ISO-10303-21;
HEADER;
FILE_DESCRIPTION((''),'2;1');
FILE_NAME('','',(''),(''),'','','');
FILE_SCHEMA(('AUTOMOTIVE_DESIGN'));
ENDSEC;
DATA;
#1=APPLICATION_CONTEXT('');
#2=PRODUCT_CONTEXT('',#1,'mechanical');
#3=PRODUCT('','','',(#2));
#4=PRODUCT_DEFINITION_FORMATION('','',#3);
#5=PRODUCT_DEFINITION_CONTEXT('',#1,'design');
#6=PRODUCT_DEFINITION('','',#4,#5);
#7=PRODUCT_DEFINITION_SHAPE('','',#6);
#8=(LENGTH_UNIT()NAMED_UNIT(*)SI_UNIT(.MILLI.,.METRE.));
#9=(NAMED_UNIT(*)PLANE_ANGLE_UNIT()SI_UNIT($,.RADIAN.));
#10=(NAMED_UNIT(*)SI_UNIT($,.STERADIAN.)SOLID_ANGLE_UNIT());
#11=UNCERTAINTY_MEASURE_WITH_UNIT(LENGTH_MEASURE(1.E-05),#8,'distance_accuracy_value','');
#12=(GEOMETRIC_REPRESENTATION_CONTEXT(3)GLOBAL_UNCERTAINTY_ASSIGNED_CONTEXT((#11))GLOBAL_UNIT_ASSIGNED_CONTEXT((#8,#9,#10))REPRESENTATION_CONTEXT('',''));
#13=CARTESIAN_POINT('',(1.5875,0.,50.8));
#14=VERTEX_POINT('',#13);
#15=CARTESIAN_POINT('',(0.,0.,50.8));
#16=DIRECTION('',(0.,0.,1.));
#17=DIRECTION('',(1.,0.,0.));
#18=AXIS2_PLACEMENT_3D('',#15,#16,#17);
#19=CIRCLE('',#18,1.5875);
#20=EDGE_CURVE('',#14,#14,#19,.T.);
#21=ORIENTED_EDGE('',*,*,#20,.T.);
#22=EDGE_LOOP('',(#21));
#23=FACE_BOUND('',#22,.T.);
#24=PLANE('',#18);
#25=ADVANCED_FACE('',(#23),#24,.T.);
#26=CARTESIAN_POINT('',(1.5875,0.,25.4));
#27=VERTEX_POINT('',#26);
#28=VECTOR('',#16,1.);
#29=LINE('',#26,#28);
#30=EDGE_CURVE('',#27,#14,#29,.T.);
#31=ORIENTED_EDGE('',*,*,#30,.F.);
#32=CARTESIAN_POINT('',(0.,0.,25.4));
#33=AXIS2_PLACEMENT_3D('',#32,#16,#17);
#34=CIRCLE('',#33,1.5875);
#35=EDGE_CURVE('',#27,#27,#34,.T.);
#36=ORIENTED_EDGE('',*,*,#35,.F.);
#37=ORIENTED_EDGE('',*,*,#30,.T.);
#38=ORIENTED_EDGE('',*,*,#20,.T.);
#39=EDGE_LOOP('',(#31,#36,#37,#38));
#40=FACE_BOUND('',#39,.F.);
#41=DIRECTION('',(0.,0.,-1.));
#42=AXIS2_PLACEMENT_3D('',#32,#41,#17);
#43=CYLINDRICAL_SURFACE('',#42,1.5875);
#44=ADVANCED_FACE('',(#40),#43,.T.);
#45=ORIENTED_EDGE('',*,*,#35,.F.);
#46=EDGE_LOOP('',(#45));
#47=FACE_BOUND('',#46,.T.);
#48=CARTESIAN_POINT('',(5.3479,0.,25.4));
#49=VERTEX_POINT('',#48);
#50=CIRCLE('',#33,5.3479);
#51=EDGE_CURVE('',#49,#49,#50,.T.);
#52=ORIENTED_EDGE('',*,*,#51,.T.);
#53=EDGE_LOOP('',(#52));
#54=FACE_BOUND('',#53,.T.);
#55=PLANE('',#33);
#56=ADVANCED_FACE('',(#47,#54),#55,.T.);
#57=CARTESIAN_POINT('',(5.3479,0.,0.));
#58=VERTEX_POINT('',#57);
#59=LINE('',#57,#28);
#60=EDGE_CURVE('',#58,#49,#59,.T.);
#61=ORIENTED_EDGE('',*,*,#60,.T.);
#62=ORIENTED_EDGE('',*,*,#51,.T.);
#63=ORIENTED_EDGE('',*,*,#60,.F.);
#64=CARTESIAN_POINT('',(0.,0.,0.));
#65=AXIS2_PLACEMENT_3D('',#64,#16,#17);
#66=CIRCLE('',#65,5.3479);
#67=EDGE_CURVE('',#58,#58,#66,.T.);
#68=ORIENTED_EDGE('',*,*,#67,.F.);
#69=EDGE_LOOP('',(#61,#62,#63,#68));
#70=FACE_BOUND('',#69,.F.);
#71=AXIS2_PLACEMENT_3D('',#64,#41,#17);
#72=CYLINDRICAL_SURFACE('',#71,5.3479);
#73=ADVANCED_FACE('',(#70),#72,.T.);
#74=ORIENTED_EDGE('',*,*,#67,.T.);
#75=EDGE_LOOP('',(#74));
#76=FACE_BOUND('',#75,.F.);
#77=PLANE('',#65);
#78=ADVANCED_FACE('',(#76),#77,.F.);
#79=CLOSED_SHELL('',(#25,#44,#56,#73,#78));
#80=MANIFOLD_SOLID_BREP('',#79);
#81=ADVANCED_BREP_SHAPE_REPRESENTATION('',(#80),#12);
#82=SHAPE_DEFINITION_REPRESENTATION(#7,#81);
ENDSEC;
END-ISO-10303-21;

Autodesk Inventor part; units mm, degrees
ref_plane "YZ Plane" through (0, 0, 0) normal (1, 0, 0) x (0, 1, 0)
ref_plane "XZ Plane" through (0, 0, 0) normal (0, 1, 0) x (-1, 0, 0)
ref_plane "XY Plane" through (0, 0, 0) normal (0, 0, 1) x (1, 0, 0)
sketch "Sketch1" plane through (0, 0, 0) normal (0, 0, 1) x (1, 0, 0)
  circle A0 centre (0, 0) radius 5.3479
extrude "Extrusion1" add sketch "Sketch1" along normal blind 25.4
sketch "Sketch2" plane through (0, 0, 25.4) normal (0, 0, 1) x (1, 0, 0)
  circle A0 centre (0, 0) radius 5.3479 projected
  circle A1 centre (0, 0) radius 1.5875
  dimension "d2" = 3.175
extrude "Extrusion2" add sketch "Sketch2" along normal blind 25.4 contours A1
properties part number "sample pin"
